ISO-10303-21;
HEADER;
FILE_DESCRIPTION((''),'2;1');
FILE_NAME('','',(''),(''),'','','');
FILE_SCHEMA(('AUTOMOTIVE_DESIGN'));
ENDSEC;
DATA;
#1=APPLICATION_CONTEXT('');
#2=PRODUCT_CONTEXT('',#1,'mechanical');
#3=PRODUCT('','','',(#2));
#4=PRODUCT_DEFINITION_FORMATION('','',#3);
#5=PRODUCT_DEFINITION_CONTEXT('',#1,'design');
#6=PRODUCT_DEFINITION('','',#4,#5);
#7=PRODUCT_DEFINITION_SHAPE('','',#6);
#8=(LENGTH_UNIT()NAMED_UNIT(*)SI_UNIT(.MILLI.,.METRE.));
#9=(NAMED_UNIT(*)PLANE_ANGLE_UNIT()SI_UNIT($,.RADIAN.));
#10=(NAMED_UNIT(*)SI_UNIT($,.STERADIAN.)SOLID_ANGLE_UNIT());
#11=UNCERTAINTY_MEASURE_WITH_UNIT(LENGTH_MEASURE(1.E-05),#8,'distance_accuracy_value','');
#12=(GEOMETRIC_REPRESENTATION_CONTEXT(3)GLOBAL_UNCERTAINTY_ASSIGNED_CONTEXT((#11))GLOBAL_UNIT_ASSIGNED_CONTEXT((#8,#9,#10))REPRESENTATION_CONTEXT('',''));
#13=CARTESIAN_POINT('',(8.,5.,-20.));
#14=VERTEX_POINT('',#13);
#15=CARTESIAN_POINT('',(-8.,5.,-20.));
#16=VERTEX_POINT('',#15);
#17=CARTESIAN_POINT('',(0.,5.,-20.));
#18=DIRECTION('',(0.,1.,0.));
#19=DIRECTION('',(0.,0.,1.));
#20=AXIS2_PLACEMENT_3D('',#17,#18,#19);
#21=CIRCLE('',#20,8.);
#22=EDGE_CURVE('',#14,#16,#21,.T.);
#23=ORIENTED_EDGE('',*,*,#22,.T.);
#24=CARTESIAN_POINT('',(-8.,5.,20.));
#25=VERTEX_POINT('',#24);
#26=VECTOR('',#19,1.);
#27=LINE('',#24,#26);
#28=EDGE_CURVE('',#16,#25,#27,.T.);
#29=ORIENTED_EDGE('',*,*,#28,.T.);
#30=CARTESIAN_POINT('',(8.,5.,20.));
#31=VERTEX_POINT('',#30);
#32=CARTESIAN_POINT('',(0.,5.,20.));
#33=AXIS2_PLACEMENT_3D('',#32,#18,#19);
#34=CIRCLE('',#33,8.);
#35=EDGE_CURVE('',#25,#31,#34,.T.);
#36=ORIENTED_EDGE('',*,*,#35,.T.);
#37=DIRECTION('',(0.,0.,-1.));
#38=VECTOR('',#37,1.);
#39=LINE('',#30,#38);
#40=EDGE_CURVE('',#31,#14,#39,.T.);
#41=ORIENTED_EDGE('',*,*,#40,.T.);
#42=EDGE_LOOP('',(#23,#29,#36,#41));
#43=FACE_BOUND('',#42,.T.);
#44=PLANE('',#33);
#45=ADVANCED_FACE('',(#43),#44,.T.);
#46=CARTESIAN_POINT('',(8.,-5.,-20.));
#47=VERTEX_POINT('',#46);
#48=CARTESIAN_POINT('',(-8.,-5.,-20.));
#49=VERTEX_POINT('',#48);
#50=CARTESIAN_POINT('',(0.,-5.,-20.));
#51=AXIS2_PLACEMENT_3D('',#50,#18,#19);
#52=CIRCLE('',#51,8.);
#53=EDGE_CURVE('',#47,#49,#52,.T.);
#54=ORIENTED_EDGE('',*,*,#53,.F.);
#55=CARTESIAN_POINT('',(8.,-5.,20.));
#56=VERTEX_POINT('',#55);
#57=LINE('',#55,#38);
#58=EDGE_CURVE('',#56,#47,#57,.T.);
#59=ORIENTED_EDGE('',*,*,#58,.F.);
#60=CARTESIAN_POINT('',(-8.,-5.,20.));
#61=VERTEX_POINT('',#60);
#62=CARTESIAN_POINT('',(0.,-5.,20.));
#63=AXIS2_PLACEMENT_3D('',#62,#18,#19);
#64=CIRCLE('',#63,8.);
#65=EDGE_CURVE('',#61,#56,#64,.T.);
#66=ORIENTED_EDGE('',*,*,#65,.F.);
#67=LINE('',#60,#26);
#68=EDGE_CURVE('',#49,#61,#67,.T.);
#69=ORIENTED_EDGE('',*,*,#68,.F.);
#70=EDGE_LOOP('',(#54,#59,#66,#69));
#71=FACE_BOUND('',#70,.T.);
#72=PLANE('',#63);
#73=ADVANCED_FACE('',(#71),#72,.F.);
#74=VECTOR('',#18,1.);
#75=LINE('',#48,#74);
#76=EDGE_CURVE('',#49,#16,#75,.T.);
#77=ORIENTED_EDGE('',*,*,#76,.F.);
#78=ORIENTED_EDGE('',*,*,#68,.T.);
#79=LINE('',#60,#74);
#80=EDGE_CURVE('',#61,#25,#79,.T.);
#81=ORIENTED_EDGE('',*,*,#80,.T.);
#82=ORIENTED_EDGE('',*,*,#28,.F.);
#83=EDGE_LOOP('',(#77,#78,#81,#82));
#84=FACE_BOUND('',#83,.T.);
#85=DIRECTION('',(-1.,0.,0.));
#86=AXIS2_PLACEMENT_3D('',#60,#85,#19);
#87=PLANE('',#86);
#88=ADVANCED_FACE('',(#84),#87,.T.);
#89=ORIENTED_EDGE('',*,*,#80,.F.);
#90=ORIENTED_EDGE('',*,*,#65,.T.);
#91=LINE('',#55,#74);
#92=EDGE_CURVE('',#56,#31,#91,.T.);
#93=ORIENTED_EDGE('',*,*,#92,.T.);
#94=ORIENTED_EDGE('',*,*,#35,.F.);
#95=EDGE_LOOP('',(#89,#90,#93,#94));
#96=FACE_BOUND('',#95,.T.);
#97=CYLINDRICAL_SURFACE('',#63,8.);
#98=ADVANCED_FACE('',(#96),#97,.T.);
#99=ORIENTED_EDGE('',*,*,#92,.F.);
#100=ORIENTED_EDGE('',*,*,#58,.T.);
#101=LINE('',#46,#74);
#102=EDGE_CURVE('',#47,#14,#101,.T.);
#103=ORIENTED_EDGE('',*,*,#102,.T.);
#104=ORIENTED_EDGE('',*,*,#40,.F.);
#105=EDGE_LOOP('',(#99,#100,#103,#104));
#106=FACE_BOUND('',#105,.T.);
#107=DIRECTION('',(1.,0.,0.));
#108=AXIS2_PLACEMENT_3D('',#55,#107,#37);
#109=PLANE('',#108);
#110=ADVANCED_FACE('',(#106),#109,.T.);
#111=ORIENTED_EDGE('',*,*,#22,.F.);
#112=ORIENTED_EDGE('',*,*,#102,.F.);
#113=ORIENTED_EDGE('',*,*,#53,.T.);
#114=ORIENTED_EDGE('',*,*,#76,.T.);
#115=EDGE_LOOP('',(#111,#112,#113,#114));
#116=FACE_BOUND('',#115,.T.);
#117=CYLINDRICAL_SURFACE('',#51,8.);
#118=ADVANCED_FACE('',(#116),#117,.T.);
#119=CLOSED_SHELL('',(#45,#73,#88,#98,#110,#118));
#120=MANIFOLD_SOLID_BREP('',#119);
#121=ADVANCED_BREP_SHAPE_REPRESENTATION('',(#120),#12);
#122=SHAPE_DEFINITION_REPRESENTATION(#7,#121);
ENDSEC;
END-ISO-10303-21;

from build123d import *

# Parameters (mm, degrees)
BOSS_EXTRUDE1_START = 5
BOSS_EXTRUDE1_DEPTH = 10


with BuildPart() as part:
    # Sketch4 → Boss-Extrude1 (new body)
    with BuildSketch(Plane(origin=(0, 0, 0), x_dir=(1, 0, 0), z_dir=(0, 1, 0)).offset(BOSS_EXTRUDE1_START)):
        with BuildLine():
            Line((-8, -20), (-8, 20))
            ThreePointArc((-8, 20), (0, 28), (8, 20))
            Line((8, 20), (8, -20))
            ThreePointArc((8, -20), (0, -28), (-8, -20))
        make_face()
    extrude(amount=-BOSS_EXTRUDE1_DEPTH)


solid = part.part
